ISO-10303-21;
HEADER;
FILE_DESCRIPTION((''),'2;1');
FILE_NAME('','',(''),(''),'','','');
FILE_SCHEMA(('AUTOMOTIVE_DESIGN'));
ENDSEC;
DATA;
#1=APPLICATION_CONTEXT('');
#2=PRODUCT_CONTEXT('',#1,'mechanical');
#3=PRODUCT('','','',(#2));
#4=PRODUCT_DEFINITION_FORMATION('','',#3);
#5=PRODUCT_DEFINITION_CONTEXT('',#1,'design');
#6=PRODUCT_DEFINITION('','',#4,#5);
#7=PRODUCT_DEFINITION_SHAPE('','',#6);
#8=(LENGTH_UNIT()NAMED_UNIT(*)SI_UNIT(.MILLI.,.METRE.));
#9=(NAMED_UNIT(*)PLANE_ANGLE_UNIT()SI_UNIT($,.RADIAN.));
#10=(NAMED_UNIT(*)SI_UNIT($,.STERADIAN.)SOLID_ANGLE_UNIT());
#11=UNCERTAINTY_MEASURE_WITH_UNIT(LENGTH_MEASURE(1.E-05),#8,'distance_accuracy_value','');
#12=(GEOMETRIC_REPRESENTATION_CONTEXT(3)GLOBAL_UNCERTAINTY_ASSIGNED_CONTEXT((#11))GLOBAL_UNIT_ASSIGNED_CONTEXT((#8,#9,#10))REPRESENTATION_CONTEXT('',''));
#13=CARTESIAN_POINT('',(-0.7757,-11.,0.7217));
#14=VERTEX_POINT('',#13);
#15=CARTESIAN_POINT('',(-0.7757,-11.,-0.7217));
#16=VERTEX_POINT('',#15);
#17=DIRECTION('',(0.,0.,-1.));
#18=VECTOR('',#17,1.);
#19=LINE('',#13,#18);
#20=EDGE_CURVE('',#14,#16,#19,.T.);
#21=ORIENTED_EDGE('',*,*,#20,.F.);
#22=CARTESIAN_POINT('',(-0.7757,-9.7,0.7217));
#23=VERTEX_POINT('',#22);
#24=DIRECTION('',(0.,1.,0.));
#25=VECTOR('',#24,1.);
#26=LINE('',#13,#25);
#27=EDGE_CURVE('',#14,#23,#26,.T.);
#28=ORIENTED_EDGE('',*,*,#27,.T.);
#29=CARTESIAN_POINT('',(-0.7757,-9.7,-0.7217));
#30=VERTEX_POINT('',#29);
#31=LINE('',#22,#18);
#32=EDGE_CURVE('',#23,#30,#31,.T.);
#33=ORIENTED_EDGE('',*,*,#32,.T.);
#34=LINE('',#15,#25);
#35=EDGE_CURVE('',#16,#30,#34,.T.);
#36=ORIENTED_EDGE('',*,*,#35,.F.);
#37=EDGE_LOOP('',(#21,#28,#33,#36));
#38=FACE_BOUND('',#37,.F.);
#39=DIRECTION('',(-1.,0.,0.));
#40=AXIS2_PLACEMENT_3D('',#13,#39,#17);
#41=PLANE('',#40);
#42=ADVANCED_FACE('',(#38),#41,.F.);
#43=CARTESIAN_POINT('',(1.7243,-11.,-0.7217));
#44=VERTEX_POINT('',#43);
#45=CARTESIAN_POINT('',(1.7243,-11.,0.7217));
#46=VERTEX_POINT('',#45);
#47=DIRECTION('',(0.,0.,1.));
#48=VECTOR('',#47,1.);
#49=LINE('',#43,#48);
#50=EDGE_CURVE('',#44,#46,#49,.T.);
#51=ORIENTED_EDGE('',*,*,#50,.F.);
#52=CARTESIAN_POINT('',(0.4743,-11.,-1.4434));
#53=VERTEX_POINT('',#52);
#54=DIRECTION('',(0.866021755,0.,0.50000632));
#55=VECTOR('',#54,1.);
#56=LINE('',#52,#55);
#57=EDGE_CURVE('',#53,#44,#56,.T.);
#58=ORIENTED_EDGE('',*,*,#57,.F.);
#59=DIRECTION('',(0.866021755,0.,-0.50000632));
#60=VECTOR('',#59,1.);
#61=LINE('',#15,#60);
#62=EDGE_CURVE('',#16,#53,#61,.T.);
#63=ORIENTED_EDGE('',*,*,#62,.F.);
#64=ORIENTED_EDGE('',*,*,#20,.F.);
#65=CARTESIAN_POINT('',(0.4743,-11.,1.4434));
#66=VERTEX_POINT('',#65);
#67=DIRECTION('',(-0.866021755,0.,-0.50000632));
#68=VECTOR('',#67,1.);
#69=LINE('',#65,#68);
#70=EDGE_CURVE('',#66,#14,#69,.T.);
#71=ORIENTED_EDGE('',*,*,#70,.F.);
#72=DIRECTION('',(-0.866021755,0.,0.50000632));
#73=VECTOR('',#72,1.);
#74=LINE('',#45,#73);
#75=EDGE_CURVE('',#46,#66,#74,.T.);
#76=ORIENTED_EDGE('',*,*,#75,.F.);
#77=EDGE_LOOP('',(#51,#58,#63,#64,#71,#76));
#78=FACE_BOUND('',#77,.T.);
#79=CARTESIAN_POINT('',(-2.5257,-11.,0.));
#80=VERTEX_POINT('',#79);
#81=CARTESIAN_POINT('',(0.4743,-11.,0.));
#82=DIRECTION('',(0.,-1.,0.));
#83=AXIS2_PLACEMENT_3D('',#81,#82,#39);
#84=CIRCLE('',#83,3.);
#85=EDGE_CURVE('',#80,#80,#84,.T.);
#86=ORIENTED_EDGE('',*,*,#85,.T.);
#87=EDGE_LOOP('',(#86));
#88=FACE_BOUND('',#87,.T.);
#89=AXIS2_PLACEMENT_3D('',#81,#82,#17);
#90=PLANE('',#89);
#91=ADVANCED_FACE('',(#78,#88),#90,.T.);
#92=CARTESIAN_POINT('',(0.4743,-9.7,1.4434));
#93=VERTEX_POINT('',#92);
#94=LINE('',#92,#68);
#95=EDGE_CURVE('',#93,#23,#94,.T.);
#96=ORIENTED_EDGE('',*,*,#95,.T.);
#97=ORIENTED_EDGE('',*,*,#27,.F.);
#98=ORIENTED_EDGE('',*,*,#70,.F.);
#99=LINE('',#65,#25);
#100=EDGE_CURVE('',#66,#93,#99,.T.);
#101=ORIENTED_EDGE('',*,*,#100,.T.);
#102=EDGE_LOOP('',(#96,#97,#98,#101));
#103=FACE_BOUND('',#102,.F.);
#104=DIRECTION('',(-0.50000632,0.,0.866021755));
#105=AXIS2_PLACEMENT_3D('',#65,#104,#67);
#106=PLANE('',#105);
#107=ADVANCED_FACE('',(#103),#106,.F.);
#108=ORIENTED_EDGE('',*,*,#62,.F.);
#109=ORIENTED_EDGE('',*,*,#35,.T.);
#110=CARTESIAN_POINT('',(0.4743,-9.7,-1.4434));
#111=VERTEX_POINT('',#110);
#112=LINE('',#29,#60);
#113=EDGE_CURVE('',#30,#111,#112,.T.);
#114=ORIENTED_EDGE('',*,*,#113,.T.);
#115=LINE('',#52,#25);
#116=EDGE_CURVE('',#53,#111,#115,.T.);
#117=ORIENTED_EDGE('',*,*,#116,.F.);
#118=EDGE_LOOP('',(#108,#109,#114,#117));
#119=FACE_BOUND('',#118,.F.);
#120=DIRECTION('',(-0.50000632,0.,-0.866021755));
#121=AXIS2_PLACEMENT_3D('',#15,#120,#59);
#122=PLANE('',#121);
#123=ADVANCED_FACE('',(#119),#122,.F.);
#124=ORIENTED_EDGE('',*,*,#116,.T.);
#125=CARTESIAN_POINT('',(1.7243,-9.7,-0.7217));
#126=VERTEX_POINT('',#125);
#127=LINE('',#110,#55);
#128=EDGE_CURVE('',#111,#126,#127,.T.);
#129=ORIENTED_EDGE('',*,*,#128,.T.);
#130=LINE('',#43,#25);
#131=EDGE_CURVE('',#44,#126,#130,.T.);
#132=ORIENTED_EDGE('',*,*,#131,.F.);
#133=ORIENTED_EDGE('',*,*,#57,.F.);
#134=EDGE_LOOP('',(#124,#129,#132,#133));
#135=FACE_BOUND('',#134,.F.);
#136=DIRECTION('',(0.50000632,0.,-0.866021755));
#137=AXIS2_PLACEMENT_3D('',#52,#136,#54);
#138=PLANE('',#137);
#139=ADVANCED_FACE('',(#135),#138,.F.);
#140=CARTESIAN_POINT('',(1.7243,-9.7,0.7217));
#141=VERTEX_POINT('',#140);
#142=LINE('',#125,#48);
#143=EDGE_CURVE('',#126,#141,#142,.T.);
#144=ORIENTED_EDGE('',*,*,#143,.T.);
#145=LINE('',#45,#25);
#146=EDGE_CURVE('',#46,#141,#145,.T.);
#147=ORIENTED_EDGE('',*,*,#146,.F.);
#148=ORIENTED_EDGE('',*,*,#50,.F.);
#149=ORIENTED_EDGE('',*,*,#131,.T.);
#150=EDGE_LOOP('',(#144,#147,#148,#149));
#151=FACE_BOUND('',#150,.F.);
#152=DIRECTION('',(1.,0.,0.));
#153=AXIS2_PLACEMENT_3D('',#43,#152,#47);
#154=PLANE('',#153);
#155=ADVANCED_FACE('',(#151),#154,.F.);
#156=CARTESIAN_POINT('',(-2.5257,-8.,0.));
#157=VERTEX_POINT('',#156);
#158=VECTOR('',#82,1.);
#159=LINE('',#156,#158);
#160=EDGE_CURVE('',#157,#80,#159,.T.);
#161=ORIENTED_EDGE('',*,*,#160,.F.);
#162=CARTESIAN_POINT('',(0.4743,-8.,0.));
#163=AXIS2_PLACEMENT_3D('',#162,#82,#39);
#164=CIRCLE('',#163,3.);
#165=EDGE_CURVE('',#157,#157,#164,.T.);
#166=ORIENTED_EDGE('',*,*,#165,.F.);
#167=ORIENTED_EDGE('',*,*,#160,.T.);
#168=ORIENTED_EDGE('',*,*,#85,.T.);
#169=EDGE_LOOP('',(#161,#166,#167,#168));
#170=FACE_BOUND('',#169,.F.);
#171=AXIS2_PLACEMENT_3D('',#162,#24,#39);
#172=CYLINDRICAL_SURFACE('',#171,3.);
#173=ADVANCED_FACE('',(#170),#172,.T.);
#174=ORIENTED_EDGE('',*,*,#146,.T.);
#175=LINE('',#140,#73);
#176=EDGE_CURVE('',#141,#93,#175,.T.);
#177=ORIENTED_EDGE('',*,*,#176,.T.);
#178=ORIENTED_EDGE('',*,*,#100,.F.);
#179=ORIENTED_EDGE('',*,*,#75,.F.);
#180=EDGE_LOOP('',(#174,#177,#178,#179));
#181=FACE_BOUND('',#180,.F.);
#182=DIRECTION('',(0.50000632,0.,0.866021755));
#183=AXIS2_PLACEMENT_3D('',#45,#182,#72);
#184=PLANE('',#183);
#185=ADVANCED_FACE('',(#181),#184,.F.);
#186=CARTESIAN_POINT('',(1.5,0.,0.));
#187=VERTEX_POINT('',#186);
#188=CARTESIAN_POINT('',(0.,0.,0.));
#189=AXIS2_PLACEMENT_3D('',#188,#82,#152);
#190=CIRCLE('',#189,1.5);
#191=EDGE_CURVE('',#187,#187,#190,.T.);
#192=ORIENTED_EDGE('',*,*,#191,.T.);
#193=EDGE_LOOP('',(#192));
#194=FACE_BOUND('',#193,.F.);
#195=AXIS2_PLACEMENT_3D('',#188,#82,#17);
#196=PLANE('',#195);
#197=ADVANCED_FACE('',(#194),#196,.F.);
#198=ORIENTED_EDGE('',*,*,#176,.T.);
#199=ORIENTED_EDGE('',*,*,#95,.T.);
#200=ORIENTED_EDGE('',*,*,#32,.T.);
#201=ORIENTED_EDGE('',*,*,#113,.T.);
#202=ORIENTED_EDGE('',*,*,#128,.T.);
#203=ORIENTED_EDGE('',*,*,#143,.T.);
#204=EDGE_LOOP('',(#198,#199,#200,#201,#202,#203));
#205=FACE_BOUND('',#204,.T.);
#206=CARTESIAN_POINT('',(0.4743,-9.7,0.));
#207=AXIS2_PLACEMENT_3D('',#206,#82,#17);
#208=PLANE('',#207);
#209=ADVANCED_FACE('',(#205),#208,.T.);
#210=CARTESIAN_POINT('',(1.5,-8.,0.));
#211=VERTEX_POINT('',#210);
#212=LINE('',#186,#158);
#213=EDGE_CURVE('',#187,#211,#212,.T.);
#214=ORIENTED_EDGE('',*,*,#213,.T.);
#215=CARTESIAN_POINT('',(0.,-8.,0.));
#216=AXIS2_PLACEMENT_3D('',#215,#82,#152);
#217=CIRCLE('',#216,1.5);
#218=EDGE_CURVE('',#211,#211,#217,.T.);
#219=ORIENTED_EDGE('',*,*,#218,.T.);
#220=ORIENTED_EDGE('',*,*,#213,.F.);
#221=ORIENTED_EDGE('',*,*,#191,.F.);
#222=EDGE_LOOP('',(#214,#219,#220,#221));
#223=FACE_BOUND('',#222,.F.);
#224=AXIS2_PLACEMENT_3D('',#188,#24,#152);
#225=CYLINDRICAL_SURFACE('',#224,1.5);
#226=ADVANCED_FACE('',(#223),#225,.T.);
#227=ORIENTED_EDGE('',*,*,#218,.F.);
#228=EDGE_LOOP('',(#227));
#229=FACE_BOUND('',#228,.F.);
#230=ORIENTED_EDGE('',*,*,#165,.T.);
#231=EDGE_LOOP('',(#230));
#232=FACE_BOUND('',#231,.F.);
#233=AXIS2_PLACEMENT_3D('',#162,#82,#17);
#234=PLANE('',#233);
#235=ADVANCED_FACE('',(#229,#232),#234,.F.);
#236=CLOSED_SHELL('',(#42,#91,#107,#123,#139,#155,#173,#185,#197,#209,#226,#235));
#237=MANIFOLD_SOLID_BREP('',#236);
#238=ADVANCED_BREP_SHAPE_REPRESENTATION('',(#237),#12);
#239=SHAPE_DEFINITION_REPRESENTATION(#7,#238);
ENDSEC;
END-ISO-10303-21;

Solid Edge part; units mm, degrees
sketch "Sketch1" plane through (0, 0, 0) normal (0, -1, 0) x (1, 0, 0)
  circle A0 centre (0, 0) radius 1.5
extrude "Protrusion1" add sketch "Sketch1" along normal blind 8
sketch "Sketch2" plane through (0, -8, 0) normal (0, -1, 0) x (-1, 0, 0)
  circle A0 centre (-0.4743, 0) radius 3
extrude "ExtrudedProtrusion_2" add sketch "Sketch2" along normal blind 3
sketch "Sketch3" plane through (0, -11, 0) normal (0, -1, 0) x (1, 0, 0)
  line L0 (1.7243, -0.7217) -> (1.7243, 0.7217)
  line L1 (1.7243, 0.7217) -> (0.4743, 1.4434)
  line L2 (0.4743, 1.4434) -> (-0.7757, 0.7217)
  line L3 (-0.7757, 0.7217) -> (-0.7757, -0.7217)
  line L4 (-0.7757, -0.7217) -> (0.4743, -1.4434)
  line L5 (0.4743, -1.4434) -> (1.7243, -0.7217)
  dimension "D1" = 2.5
extrude "ExtrudedCutout_2" cut sketch "Sketch3" against normal blind 1.3
properties material "Nylon, general purpose"
